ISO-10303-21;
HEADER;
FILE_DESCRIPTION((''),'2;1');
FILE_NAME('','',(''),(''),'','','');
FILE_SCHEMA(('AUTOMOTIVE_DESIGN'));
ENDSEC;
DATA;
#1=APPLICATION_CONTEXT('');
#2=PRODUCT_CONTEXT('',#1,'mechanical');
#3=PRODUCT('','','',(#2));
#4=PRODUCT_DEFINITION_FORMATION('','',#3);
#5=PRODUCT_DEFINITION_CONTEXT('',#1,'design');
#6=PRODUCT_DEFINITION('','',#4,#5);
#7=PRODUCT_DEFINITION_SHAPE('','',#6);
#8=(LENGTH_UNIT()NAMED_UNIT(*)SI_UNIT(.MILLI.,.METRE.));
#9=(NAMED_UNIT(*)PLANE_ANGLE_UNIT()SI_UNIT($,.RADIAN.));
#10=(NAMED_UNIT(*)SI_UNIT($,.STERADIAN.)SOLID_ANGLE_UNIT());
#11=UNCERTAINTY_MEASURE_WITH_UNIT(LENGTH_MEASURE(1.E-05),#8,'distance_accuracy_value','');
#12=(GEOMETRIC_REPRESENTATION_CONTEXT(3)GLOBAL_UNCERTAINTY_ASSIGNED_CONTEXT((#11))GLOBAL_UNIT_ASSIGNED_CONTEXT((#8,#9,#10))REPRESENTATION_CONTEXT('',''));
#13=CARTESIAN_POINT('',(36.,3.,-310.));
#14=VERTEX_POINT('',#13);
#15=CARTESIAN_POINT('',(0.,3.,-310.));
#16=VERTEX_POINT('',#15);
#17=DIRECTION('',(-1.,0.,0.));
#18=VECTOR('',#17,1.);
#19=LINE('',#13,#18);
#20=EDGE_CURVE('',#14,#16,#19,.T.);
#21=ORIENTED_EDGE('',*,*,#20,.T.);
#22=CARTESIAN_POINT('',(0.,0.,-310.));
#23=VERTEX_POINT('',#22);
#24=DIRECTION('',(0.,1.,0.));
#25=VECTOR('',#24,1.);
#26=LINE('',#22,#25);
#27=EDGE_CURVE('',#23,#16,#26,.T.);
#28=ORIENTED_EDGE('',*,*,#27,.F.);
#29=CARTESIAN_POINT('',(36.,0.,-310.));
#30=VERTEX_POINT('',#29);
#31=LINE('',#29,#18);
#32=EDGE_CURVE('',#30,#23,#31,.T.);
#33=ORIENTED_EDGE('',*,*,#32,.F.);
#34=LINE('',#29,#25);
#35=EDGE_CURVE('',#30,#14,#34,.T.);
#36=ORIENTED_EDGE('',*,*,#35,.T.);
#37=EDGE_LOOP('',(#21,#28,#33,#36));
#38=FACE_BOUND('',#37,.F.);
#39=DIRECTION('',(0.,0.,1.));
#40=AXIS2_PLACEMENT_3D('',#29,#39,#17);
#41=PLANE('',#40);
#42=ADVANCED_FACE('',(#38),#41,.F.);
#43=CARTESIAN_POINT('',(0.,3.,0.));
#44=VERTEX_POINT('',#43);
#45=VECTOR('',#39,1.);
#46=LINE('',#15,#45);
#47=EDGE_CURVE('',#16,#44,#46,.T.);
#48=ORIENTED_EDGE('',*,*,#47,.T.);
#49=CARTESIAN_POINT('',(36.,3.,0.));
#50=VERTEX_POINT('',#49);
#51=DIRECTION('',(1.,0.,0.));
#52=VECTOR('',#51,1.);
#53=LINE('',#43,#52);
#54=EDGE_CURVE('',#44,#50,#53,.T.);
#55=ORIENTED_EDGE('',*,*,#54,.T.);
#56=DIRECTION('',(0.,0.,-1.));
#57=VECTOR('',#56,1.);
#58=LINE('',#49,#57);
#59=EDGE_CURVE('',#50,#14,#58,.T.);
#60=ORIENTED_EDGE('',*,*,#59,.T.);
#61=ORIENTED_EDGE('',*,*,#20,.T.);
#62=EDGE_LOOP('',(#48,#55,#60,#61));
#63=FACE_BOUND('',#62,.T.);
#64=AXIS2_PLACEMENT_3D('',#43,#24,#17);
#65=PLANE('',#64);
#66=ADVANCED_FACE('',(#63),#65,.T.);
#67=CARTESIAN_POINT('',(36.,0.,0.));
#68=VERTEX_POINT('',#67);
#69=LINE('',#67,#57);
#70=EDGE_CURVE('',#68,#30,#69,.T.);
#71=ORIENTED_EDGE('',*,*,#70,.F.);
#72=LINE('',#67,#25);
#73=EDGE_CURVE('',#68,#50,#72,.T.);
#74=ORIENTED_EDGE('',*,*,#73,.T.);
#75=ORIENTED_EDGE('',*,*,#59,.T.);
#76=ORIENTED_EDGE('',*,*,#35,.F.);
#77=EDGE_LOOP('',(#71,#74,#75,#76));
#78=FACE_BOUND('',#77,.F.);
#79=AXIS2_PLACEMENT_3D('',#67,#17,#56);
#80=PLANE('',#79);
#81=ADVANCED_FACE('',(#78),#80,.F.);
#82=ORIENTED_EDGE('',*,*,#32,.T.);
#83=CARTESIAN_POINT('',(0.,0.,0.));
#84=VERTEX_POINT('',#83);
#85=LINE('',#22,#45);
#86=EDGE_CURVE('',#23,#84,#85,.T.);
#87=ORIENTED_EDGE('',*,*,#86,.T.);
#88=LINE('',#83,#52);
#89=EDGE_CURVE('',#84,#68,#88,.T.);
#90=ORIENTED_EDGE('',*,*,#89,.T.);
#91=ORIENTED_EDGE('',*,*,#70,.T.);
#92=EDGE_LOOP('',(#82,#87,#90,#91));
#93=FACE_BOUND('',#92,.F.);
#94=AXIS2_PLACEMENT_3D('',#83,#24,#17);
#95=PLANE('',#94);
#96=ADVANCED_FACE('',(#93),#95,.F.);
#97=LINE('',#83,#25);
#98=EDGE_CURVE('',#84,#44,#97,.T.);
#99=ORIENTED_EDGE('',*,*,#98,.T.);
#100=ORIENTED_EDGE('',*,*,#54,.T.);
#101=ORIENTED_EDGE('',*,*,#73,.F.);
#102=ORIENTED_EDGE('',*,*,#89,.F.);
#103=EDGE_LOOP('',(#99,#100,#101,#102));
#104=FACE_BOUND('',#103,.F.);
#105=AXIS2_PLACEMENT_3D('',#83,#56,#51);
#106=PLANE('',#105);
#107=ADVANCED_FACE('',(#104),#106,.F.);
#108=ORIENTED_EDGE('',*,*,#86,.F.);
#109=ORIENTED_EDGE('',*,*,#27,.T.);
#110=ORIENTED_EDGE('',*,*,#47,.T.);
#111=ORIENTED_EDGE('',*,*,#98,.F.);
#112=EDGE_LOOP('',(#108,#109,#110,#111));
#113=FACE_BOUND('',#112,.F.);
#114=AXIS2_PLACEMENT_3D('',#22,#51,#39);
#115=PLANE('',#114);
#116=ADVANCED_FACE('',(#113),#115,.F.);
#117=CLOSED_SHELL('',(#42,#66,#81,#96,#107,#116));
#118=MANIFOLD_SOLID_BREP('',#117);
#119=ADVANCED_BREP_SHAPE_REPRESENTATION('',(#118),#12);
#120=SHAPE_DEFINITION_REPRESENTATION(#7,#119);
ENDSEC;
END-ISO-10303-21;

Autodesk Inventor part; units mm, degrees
ref_plane "YZ Plane" through (0, 0, 0) normal (1, 0, 0) x (0, 1, 0)
ref_plane "XZ Plane" through (0, 0, 0) normal (0, 1, 0) x (-1, 0, 0)
ref_plane "XY Plane" through (0, 0, 0) normal (0, 0, 1) x (1, 0, 0)
sketch "Skizze1" plane through (0, 0, 0) normal (0, 1, 0) x (-1, 0, 0)
  line L0 (0, 0) -> (-36, 0)
  line L1 (-36, 0) -> (-36, -310)
  line L2 (-36, -310) -> (0, -310)
  line L3 (0, -310) -> (0, 0)
  point P0 (0, 0)
  dimension "d0" = 0
  dimension "d1" = 0
  dimension "d2" = 36
  dimension "d3" = 310
extrude "Extrusion1" add sketch "Skizze1" along normal blind 3
properties part number "Glasscheibe" material "Glas"
